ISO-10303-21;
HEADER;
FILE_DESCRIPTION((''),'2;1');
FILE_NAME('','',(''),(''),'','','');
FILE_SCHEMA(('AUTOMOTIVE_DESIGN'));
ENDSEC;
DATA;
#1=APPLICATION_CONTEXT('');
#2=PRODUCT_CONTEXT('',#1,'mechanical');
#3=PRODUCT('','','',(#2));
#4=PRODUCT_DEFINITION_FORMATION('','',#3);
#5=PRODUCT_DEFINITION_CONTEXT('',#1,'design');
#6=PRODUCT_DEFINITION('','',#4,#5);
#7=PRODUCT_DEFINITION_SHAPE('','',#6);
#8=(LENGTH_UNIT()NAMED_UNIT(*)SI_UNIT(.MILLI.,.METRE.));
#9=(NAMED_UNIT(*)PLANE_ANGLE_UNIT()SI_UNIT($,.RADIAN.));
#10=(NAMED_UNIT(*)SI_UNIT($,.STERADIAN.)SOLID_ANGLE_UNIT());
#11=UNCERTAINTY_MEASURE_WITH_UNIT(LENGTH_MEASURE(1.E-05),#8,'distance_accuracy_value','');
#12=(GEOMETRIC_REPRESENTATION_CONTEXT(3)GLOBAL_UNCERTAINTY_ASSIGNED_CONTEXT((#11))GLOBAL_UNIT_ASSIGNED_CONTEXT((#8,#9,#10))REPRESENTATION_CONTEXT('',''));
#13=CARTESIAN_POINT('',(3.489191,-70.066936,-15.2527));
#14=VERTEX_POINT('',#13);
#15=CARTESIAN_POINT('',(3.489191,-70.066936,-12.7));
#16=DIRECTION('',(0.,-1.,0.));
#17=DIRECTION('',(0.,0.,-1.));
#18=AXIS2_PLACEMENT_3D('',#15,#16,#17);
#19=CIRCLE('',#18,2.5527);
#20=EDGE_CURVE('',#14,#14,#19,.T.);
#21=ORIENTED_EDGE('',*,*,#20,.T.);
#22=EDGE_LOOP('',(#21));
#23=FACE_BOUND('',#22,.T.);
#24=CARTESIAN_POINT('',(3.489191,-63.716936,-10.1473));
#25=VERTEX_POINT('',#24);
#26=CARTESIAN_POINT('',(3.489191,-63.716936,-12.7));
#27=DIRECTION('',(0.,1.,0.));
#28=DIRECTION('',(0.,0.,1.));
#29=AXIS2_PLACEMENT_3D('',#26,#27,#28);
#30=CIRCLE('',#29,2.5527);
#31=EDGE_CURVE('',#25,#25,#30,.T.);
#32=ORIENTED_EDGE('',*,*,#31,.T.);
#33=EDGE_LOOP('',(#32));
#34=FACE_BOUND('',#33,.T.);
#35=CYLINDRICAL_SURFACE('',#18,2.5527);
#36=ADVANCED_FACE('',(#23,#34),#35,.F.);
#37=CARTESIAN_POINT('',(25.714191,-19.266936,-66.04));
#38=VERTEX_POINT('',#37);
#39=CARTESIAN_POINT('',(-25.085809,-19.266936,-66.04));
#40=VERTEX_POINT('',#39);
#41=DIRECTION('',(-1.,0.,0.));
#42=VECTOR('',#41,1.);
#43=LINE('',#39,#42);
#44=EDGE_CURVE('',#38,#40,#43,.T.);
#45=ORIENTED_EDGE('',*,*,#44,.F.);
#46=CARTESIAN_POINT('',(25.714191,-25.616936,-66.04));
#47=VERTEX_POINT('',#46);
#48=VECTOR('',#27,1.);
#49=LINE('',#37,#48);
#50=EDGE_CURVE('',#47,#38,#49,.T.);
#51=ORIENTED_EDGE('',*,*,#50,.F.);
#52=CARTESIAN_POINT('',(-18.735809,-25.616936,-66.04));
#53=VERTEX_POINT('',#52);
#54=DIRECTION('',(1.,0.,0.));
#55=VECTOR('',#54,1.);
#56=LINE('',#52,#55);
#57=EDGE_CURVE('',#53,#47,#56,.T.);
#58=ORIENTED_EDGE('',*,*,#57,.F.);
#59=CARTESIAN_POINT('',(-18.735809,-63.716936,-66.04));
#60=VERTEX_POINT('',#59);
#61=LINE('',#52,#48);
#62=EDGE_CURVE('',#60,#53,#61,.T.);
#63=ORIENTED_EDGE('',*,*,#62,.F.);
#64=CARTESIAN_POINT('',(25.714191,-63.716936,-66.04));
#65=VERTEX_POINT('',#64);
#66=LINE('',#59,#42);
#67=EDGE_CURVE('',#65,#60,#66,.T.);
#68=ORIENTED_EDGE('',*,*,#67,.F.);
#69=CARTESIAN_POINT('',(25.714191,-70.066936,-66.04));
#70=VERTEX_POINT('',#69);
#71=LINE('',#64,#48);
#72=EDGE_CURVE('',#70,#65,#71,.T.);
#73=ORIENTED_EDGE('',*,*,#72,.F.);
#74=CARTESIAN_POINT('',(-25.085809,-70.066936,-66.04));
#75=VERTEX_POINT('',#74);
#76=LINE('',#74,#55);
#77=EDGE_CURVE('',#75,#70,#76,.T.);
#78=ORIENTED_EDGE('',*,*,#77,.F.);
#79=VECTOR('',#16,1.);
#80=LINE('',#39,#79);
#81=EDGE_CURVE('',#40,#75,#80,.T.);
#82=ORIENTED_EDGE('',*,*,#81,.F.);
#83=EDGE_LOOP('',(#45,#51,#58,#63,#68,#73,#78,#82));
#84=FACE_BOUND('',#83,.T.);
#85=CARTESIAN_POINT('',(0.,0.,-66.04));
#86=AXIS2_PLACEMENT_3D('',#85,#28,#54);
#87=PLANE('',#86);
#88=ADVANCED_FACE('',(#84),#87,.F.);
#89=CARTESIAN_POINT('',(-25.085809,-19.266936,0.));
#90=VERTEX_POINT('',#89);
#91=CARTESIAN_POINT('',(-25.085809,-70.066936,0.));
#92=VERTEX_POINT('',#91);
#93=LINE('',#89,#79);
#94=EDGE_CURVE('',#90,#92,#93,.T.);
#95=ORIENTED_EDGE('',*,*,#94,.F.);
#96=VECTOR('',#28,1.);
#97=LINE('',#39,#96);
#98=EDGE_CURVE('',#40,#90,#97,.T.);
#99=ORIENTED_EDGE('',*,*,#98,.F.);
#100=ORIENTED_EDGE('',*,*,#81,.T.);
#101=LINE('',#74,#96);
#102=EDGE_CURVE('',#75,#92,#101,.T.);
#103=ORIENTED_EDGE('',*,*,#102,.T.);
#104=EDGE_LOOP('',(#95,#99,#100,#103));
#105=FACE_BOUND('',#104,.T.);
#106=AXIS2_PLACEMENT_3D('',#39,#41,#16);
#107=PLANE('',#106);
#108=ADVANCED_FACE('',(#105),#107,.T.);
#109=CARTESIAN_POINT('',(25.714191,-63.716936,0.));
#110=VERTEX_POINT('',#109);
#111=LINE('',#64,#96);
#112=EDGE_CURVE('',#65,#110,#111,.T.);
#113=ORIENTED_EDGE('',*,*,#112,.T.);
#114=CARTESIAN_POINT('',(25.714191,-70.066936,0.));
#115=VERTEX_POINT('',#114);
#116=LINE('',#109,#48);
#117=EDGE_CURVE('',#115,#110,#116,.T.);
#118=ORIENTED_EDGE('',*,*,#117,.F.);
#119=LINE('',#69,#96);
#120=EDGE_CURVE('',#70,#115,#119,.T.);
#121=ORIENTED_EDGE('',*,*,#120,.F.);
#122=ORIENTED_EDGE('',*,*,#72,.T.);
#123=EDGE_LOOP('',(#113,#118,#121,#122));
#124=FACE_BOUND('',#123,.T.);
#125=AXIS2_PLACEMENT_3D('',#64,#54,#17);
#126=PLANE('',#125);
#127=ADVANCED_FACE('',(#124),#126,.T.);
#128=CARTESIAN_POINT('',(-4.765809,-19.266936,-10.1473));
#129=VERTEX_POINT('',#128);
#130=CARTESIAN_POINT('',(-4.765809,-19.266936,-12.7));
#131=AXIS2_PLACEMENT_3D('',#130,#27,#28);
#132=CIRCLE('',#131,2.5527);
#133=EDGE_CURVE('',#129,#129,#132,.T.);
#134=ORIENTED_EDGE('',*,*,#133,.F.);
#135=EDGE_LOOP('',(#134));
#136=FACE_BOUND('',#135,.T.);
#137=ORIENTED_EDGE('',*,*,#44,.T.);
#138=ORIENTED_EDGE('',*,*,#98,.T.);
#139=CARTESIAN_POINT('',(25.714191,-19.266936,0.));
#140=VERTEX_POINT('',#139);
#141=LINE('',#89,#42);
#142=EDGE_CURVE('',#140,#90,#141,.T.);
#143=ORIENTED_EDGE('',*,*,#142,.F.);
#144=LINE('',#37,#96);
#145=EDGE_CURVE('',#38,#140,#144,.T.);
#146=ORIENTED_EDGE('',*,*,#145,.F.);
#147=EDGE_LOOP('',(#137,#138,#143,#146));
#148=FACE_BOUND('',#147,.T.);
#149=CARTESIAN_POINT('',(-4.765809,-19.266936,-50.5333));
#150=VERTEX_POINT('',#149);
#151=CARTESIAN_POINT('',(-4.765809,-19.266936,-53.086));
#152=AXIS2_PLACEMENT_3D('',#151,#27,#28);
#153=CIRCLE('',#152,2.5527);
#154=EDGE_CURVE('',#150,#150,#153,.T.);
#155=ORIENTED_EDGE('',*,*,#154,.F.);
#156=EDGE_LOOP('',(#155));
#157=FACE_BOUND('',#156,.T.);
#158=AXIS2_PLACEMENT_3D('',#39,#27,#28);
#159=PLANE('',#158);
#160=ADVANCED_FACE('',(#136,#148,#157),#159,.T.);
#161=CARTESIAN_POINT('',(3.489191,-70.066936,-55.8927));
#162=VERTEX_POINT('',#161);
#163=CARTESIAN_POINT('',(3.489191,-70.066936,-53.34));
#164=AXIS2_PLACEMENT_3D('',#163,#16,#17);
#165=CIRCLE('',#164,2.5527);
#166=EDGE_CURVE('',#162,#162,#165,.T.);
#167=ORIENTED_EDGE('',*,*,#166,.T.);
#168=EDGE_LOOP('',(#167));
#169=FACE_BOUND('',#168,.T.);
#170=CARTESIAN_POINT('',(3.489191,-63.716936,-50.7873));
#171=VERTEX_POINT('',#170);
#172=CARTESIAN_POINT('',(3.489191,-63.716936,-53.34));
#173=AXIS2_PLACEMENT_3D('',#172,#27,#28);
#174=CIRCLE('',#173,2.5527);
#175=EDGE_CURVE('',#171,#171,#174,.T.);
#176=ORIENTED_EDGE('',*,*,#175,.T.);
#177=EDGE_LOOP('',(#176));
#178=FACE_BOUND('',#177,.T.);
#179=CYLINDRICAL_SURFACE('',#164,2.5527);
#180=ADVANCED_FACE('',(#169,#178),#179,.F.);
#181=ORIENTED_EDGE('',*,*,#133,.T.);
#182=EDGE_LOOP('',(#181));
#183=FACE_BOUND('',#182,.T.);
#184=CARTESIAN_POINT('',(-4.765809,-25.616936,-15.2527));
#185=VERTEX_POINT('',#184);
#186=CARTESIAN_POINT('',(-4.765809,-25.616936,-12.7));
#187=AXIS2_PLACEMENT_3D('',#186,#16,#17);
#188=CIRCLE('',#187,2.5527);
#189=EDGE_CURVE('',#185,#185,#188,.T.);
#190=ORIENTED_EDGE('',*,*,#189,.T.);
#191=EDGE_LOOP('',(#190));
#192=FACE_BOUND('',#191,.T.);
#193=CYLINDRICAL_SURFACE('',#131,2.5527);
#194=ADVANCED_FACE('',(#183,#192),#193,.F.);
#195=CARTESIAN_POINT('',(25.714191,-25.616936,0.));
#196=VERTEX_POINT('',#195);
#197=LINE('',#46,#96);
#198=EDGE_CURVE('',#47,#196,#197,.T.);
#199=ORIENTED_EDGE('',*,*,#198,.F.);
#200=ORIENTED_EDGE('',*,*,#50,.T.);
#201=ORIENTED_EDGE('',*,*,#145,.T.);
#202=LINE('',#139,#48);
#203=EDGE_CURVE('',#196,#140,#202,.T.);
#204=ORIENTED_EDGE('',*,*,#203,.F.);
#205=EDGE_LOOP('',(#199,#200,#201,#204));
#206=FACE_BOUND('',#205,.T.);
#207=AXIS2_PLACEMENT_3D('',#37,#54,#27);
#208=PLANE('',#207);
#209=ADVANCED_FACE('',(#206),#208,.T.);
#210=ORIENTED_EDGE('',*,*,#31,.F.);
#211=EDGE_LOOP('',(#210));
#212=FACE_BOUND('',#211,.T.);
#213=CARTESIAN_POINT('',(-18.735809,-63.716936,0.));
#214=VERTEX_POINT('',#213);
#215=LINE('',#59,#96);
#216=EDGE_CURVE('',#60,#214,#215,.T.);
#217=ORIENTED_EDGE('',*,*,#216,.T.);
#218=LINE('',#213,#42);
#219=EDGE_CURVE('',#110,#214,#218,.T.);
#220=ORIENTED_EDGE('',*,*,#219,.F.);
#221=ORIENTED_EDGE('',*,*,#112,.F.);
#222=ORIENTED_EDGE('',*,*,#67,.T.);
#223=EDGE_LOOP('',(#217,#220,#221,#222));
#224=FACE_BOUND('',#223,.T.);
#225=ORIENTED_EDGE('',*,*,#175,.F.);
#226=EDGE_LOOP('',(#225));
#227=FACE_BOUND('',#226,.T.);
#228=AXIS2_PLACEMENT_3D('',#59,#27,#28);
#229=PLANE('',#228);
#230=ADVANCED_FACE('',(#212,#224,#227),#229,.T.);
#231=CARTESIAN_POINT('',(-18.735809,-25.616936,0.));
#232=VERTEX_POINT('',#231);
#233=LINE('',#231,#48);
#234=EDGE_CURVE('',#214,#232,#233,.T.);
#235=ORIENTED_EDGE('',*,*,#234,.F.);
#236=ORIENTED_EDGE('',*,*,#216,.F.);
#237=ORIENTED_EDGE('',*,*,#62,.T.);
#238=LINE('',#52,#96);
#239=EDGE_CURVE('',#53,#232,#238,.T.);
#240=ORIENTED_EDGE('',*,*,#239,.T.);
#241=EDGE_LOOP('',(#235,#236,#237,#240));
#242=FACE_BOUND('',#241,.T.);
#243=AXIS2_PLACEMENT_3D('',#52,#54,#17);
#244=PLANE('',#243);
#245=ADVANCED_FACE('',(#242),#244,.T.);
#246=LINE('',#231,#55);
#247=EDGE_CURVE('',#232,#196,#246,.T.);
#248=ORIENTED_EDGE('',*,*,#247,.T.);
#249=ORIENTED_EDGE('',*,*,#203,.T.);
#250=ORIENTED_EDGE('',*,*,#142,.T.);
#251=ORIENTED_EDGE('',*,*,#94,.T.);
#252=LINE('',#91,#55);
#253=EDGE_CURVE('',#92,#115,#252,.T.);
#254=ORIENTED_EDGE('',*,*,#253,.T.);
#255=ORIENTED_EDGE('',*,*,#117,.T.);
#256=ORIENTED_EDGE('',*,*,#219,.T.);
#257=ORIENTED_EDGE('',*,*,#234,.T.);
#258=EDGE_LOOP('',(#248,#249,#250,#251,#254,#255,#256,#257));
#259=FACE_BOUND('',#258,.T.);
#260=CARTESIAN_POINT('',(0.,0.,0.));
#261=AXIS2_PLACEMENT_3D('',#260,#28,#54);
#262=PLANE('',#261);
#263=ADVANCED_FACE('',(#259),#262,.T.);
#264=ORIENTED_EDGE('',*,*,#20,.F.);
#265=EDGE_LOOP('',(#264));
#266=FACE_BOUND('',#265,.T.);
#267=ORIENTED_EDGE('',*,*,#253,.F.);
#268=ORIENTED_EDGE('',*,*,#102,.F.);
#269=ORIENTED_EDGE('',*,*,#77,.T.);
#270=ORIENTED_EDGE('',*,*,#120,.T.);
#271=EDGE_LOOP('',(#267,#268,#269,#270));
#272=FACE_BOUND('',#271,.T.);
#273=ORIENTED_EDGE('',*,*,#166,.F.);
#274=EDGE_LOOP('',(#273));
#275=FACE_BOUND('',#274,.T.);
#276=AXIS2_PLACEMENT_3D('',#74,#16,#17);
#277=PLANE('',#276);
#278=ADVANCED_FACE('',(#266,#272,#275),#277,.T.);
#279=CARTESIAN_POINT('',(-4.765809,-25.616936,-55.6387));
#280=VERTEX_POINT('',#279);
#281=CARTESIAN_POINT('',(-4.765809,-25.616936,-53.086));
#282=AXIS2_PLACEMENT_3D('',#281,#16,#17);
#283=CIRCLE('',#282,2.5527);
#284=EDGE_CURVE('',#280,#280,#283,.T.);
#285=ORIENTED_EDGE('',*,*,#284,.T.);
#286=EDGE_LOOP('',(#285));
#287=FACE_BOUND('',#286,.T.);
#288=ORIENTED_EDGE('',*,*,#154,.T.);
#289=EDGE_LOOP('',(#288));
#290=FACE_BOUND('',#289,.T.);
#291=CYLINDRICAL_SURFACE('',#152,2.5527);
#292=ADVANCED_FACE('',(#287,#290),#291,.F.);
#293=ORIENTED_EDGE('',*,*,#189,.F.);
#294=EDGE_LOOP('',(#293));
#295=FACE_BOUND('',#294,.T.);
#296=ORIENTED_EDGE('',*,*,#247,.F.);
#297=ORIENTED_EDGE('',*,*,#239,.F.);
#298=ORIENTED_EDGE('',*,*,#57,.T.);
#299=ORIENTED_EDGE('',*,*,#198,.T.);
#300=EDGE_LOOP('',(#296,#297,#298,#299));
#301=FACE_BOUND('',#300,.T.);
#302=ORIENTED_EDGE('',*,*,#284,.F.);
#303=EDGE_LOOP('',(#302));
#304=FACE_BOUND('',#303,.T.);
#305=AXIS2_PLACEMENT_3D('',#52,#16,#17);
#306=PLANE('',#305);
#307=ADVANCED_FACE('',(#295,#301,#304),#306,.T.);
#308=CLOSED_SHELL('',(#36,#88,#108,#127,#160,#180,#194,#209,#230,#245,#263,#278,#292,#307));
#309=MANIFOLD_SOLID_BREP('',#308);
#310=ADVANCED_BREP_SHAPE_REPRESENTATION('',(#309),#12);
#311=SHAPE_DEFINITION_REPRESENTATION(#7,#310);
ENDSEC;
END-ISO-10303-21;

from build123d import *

# Parameters (mm, degrees)
BOSS_EXTRUDE1_DEPTH         = 66.04
F_1_4_20_TAPPED_HOLE1_D     = 5.1054
F_1_4_20_TAPPED_HOLE1_DEPTH = 6.35
F_1_4_20_TAPPED_HOLE2_D     = 5.1054
F_1_4_20_TAPPED_HOLE2_DEPTH = 6.35


with BuildPart() as part:
    # Sketch1 → Boss-Extrude1 (new body)
    with BuildSketch(Plane.XY):
        Polygon((-18.735809365, -25.616936059), (25.714190635, -25.616936059), (25.714190635, -19.266936059), (-25.085809365, -19.266936059), (-25.085809365, -70.066936059), (25.714190635, -70.066936059), (25.714190635, -63.716936059), (-18.735809365, -63.716936059), align=None)
    extrude(amount=-BOSS_EXTRUDE1_DEPTH)

    # 1/4-20 Tapped Hole1
    with Locations(Plane(origin=(0, -19.266936059, 0), x_dir=(1, 0, 0), z_dir=(0, 1, 0))):
        with Locations((-4.765809365, 53.086), (-4.765809365, 12.7)):
            Hole(F_1_4_20_TAPPED_HOLE1_D / 2, depth=F_1_4_20_TAPPED_HOLE1_DEPTH)

    # 1/4-20 Tapped Hole2
    with Locations(Plane(origin=(0, -70.066936059, 0), x_dir=(-1, 0, 0), z_dir=(0, -1, 0))):
        with Locations((-3.489190635, 12.7), (-3.489190635, 53.34)):
            Hole(F_1_4_20_TAPPED_HOLE2_D / 2, depth=F_1_4_20_TAPPED_HOLE2_DEPTH)


solid = part.part
